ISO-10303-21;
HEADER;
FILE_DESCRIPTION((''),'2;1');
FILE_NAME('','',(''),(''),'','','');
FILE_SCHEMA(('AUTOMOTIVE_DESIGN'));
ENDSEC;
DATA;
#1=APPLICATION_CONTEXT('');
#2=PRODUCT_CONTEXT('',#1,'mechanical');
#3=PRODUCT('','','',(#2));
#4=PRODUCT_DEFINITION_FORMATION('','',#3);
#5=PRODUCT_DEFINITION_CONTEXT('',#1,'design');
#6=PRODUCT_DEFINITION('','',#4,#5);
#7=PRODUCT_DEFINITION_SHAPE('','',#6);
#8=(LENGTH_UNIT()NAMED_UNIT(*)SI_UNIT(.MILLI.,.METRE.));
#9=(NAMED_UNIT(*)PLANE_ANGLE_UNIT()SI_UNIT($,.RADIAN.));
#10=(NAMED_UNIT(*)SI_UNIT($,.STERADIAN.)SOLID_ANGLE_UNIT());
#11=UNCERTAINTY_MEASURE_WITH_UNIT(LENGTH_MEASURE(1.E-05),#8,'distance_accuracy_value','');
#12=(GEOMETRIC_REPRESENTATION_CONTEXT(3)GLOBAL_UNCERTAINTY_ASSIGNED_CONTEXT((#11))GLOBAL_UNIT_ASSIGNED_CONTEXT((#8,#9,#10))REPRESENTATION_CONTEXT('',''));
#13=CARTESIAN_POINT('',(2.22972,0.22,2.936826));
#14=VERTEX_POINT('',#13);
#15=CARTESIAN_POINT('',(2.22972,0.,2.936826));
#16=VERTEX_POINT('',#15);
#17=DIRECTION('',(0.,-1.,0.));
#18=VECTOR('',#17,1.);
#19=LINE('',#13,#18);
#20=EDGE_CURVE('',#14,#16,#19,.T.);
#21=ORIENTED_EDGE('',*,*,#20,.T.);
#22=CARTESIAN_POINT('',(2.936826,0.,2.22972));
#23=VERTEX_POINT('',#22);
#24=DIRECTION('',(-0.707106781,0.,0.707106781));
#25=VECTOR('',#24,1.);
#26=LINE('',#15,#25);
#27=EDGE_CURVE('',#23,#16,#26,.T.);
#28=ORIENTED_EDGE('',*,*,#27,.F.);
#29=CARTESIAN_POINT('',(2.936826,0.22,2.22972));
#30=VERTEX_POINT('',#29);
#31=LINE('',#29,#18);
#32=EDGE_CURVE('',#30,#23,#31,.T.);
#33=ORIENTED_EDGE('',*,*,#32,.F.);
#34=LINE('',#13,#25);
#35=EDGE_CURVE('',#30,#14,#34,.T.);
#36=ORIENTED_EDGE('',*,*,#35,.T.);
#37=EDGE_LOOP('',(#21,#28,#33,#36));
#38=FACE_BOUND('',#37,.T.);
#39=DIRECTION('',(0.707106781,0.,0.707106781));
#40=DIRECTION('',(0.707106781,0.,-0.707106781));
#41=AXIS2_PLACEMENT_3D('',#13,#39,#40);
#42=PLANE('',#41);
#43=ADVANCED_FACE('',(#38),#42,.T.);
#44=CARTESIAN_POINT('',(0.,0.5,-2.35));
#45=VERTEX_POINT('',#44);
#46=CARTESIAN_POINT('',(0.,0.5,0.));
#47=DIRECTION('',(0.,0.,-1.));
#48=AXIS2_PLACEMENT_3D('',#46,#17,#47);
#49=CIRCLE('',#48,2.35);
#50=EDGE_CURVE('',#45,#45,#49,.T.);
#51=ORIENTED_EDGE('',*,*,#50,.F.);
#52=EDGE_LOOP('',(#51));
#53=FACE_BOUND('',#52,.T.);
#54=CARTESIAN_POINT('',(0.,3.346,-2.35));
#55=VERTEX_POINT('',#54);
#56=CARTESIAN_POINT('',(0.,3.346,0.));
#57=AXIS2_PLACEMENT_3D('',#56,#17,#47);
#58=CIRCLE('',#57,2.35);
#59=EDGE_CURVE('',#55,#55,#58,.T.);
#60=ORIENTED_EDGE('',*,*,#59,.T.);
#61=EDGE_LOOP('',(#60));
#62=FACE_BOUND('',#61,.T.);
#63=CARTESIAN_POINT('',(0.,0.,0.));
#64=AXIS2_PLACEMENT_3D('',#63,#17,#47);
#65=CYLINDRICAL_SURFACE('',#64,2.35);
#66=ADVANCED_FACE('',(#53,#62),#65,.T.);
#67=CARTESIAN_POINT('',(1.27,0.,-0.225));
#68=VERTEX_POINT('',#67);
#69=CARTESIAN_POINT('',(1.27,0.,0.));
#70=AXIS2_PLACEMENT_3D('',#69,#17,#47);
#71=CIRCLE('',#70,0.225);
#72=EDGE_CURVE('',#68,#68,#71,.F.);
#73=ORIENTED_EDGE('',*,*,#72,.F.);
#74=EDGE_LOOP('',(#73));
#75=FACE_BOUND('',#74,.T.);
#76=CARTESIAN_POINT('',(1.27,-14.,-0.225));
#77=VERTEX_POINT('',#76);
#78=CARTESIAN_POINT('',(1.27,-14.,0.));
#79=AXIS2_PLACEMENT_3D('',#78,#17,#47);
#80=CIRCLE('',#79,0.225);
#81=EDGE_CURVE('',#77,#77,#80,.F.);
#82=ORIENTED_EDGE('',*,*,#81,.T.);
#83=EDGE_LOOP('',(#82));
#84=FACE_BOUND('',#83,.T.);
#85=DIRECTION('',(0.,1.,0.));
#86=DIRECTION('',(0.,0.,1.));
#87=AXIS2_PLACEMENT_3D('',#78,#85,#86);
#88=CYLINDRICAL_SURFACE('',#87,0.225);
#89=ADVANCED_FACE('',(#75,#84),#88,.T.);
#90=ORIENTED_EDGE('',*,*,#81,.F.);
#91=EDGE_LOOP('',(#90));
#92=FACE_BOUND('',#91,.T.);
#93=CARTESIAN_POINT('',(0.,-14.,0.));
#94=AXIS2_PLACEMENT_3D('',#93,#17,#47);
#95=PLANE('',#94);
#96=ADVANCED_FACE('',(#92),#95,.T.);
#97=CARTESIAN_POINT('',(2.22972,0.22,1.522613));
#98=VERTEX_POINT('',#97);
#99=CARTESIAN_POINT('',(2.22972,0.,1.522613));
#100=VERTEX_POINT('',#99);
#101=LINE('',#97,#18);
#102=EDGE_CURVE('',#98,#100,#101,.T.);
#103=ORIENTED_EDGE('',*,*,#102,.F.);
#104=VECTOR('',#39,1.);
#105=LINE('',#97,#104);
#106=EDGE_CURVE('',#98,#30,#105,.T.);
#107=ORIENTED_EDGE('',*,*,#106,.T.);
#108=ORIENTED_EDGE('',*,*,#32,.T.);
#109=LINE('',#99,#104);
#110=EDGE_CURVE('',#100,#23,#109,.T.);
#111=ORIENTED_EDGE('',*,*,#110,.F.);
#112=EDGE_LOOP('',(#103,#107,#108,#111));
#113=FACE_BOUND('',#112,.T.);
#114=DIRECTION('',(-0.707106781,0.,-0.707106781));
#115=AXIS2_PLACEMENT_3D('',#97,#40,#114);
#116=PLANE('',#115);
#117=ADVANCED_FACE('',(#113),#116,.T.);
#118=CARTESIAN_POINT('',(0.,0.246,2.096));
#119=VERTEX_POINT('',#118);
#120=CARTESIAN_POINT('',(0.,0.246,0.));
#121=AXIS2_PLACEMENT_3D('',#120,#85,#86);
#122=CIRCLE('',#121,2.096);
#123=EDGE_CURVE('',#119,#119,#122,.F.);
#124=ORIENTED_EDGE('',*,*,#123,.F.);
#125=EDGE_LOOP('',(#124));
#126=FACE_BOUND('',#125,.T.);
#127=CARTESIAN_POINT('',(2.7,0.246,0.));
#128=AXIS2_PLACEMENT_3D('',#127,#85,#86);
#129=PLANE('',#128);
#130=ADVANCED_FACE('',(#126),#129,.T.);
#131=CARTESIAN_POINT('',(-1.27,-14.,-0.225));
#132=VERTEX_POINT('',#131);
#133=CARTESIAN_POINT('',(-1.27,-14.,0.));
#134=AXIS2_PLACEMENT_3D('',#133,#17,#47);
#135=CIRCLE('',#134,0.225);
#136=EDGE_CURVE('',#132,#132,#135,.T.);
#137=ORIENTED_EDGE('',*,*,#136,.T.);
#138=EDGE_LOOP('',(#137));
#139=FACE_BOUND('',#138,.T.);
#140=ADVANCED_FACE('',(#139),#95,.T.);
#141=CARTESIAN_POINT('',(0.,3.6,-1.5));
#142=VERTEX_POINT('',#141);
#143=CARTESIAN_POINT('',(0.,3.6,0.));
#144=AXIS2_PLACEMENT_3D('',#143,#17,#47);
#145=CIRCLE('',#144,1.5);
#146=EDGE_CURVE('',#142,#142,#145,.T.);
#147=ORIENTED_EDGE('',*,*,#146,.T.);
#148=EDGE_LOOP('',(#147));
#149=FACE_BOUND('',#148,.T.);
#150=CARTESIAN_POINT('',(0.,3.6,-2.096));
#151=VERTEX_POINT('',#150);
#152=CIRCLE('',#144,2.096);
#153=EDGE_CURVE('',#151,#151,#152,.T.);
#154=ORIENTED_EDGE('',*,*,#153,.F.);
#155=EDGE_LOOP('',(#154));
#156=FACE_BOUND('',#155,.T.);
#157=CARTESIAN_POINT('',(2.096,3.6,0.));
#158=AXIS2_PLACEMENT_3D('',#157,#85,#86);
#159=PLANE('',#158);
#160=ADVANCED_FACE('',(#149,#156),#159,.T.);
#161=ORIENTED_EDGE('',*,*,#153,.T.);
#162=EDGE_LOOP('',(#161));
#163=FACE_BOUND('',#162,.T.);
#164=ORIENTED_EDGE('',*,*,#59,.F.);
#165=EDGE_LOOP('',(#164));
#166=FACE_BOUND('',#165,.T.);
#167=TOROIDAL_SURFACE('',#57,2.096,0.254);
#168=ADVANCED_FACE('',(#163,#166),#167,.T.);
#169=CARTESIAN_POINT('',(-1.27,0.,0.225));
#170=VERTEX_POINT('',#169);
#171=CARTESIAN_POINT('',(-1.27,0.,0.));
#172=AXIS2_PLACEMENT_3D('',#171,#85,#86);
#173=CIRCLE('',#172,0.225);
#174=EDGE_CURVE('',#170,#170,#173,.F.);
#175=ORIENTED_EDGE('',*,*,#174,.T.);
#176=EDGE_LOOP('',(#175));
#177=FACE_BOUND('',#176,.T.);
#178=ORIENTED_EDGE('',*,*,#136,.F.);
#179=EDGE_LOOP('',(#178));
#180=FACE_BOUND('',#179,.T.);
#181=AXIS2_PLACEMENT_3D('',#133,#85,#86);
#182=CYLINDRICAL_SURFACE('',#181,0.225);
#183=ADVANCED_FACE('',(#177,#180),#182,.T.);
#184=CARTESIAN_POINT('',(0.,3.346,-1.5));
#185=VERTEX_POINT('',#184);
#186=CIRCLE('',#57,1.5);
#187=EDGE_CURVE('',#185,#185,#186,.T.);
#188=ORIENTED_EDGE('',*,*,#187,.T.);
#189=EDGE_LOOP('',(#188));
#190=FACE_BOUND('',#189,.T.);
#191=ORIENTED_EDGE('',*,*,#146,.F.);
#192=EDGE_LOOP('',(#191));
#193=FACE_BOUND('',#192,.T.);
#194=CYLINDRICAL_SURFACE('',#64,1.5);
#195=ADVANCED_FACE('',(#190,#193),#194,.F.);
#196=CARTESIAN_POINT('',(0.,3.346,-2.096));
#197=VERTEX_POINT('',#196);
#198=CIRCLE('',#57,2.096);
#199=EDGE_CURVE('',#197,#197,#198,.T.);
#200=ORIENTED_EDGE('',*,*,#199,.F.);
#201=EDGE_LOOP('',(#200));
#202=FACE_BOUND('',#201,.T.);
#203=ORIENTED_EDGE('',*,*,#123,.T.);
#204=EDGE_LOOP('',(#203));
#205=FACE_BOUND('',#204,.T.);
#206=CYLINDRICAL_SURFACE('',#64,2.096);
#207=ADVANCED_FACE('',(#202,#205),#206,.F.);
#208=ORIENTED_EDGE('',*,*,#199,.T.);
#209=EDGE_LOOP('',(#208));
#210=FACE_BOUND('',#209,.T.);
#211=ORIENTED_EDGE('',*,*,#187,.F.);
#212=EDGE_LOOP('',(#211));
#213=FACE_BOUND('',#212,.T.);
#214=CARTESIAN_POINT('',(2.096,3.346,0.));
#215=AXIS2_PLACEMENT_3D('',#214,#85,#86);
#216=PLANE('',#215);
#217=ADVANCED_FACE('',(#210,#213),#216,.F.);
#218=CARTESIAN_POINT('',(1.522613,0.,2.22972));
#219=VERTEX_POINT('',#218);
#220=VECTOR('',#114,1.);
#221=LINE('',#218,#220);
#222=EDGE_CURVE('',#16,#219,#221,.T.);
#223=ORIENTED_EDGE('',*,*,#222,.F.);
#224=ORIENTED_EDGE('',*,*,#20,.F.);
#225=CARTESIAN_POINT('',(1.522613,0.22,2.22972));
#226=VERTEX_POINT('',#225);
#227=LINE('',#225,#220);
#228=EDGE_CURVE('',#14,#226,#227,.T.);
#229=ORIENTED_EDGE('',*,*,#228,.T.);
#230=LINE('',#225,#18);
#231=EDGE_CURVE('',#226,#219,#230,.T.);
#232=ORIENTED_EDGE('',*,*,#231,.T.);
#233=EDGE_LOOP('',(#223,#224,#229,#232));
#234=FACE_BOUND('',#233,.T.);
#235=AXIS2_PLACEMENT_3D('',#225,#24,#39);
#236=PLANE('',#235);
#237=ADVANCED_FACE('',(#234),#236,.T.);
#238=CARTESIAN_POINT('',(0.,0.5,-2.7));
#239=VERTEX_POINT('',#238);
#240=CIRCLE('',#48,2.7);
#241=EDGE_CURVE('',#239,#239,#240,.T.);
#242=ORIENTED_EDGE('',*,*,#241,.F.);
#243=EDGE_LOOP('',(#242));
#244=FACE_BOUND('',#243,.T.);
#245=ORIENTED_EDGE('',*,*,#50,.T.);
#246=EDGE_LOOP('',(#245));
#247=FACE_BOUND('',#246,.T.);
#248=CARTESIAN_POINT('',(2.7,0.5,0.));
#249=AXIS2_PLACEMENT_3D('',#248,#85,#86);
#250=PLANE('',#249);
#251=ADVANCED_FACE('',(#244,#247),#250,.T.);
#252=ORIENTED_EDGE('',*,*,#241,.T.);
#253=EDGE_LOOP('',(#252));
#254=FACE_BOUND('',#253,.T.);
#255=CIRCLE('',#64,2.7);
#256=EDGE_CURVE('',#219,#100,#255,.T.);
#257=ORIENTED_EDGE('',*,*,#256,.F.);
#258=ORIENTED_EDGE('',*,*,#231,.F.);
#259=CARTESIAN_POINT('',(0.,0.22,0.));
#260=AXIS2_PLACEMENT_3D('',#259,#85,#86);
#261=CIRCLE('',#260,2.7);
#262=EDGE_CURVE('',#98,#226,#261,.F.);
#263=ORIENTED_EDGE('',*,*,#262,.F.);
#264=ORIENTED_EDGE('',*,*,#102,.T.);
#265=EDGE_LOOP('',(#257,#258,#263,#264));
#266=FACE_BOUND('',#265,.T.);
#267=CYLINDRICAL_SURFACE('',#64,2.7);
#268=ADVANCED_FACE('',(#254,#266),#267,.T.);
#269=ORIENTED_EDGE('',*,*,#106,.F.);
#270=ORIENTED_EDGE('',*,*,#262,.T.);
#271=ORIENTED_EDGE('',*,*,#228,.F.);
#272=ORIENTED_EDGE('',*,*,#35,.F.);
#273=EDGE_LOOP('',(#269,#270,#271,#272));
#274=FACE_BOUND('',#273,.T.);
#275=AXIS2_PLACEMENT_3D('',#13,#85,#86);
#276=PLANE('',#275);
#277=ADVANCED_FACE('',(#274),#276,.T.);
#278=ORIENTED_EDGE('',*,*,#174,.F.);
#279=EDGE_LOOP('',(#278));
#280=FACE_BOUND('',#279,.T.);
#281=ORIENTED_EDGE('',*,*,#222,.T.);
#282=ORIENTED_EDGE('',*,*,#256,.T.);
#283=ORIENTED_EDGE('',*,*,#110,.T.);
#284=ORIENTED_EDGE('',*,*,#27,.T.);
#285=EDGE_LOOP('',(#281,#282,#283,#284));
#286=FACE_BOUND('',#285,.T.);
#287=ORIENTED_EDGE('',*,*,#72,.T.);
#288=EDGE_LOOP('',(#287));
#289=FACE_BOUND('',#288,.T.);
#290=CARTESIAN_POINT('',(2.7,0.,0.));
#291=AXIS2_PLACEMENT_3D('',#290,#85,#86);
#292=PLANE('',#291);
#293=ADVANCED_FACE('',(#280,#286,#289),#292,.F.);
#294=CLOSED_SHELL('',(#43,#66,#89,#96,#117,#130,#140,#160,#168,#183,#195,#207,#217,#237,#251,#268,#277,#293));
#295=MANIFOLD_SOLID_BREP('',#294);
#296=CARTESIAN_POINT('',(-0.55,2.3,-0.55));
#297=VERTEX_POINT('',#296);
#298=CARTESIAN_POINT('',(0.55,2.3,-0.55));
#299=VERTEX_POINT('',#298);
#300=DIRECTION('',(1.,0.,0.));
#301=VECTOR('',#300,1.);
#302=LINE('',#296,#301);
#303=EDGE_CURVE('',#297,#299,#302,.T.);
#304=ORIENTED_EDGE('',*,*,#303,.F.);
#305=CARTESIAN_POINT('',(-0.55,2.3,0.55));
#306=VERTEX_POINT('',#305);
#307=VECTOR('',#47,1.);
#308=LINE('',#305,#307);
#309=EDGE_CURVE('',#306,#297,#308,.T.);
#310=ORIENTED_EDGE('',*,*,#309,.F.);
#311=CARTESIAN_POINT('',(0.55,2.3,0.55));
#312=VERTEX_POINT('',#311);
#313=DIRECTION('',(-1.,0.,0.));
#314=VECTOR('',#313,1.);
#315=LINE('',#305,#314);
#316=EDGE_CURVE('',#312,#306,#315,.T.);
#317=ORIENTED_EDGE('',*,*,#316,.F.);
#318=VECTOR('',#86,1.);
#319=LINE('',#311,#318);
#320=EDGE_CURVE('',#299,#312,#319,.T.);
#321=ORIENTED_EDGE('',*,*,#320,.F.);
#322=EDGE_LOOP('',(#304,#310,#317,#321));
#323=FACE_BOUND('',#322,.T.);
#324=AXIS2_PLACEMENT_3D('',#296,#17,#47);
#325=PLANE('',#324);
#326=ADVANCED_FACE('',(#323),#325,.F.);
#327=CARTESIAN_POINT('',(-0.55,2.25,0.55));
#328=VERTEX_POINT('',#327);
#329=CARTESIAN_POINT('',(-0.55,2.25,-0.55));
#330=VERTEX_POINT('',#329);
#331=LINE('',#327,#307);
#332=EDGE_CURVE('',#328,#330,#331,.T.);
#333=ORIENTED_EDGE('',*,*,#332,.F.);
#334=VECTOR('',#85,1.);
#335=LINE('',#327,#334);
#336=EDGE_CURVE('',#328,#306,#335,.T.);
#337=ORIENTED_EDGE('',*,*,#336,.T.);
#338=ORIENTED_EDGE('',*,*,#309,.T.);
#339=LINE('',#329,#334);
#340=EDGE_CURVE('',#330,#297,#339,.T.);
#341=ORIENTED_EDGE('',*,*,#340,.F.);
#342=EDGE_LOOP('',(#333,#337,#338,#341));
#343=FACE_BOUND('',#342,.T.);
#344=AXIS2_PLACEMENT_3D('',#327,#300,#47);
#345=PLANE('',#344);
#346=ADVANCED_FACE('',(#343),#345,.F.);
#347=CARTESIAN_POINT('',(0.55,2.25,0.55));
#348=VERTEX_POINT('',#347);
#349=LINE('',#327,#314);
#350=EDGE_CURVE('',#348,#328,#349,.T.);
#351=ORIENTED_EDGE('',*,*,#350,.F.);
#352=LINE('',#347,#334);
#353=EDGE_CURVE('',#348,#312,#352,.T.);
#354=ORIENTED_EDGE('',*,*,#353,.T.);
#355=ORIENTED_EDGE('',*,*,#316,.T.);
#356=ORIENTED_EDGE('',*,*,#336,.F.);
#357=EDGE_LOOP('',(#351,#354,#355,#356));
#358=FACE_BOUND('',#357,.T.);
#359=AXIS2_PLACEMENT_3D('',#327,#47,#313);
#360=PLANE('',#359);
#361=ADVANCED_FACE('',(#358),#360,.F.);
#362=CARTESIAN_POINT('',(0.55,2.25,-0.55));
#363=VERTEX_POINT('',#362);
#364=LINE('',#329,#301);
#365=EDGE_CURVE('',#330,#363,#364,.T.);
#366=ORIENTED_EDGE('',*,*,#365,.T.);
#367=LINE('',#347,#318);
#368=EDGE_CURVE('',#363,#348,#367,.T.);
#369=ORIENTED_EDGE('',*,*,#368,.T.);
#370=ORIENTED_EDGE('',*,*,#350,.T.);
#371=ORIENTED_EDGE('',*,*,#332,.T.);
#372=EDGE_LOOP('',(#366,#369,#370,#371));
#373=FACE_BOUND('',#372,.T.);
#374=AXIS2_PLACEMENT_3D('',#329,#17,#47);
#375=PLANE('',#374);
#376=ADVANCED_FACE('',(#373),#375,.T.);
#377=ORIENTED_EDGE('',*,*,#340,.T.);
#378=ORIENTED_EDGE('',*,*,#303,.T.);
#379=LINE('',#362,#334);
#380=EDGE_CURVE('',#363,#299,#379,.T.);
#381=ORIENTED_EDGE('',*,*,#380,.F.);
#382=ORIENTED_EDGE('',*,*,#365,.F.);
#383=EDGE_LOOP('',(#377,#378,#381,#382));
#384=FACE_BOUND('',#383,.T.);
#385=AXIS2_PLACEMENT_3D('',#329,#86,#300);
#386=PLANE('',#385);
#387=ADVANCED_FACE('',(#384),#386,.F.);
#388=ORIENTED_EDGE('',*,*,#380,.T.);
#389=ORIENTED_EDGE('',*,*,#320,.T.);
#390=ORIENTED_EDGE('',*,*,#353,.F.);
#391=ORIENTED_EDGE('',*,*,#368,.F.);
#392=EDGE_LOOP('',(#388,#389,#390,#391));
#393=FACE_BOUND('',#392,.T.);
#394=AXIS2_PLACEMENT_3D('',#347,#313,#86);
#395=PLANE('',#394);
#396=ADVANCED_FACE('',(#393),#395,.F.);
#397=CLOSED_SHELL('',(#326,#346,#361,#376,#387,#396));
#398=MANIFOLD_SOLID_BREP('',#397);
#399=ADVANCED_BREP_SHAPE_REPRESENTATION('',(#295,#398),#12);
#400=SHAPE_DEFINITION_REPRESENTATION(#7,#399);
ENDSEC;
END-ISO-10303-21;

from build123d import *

# Parameters (mm, degrees)
SKETCH2_R           = 2.7
BOSS_EXTRUDE1_DEPTH = 0.246
BOSS_EXTRUDE2_START = -2.3
SKETCH3_W           = 1.1
SKETCH3_H           = 1.1
BOSS_EXTRUDE2_DEPTH = 0.05
BOSS_EXTRUDE7_DEPTH = 0.22
SKETCH5_R           = 0.225
BOSS_EXTRUDE8_DEPTH = 14


with BuildPart() as part:
    # Sketch1 → Revolve-Thin2 (revolve)
    with BuildSketch(Plane.XY):
        with BuildLine():
            Line((2.7, 0), (2.7, 0.5))
            Line((2.7, 0.5), (2.35, 0.5))
            Line((2.35, 0.5), (2.35, 3.346))
            ThreePointArc((2.35, 3.346), (2.275605122, 3.525605122), (2.096, 3.6))
            Line((2.096, 3.6), (1.5, 3.6))
            Line((1.5, 3.6), (1.5, 3.346))
            Line((1.5, 3.346), (2.096, 3.346))
            Line((2.096, 3.346), (2.096, 0.246))
            Line((2.096, 0.246), (2.446, 0.246))
            Line((2.446, 0.246), (2.446, 0))
            Line((2.446, 0), (2.7, 0))
        make_face()
    revolve(axis=Axis((0, 0, 0), (0, 1, 0)))

    # Sketch2 → Boss-Extrude1 (add)
    with BuildSketch(Plane.XZ):
        Circle(SKETCH2_R)
    extrude(amount=-BOSS_EXTRUDE1_DEPTH)

    # Sketch10 → Boss-Extrude7 (add)
    with BuildSketch(Plane.XZ):
        Polygon((1.522612913, 2.229719695), (2.229719695, 1.522612913), (2.936826476, 2.229719695), (2.229719695, 2.936826476), align=None)
    extrude(amount=-BOSS_EXTRUDE7_DEPTH)

    # Sketch5 → Boss-Extrude8 (add)
    with BuildSketch(Plane.XZ):
        with Locations((1.27, 0)):
            Circle(SKETCH5_R)
        with Locations((-1.27, 0)):
            Circle(SKETCH5_R)
    extrude(amount=BOSS_EXTRUDE8_DEPTH)


with BuildPart() as body_2:
    # Sketch3 → Boss-Extrude2 (new body)
    with BuildSketch(Plane.XZ.offset(BOSS_EXTRUDE2_START)):
        Rectangle(SKETCH3_W, SKETCH3_H)
    extrude(amount=BOSS_EXTRUDE2_DEPTH)


solid = Compound([part.part, body_2.part])
